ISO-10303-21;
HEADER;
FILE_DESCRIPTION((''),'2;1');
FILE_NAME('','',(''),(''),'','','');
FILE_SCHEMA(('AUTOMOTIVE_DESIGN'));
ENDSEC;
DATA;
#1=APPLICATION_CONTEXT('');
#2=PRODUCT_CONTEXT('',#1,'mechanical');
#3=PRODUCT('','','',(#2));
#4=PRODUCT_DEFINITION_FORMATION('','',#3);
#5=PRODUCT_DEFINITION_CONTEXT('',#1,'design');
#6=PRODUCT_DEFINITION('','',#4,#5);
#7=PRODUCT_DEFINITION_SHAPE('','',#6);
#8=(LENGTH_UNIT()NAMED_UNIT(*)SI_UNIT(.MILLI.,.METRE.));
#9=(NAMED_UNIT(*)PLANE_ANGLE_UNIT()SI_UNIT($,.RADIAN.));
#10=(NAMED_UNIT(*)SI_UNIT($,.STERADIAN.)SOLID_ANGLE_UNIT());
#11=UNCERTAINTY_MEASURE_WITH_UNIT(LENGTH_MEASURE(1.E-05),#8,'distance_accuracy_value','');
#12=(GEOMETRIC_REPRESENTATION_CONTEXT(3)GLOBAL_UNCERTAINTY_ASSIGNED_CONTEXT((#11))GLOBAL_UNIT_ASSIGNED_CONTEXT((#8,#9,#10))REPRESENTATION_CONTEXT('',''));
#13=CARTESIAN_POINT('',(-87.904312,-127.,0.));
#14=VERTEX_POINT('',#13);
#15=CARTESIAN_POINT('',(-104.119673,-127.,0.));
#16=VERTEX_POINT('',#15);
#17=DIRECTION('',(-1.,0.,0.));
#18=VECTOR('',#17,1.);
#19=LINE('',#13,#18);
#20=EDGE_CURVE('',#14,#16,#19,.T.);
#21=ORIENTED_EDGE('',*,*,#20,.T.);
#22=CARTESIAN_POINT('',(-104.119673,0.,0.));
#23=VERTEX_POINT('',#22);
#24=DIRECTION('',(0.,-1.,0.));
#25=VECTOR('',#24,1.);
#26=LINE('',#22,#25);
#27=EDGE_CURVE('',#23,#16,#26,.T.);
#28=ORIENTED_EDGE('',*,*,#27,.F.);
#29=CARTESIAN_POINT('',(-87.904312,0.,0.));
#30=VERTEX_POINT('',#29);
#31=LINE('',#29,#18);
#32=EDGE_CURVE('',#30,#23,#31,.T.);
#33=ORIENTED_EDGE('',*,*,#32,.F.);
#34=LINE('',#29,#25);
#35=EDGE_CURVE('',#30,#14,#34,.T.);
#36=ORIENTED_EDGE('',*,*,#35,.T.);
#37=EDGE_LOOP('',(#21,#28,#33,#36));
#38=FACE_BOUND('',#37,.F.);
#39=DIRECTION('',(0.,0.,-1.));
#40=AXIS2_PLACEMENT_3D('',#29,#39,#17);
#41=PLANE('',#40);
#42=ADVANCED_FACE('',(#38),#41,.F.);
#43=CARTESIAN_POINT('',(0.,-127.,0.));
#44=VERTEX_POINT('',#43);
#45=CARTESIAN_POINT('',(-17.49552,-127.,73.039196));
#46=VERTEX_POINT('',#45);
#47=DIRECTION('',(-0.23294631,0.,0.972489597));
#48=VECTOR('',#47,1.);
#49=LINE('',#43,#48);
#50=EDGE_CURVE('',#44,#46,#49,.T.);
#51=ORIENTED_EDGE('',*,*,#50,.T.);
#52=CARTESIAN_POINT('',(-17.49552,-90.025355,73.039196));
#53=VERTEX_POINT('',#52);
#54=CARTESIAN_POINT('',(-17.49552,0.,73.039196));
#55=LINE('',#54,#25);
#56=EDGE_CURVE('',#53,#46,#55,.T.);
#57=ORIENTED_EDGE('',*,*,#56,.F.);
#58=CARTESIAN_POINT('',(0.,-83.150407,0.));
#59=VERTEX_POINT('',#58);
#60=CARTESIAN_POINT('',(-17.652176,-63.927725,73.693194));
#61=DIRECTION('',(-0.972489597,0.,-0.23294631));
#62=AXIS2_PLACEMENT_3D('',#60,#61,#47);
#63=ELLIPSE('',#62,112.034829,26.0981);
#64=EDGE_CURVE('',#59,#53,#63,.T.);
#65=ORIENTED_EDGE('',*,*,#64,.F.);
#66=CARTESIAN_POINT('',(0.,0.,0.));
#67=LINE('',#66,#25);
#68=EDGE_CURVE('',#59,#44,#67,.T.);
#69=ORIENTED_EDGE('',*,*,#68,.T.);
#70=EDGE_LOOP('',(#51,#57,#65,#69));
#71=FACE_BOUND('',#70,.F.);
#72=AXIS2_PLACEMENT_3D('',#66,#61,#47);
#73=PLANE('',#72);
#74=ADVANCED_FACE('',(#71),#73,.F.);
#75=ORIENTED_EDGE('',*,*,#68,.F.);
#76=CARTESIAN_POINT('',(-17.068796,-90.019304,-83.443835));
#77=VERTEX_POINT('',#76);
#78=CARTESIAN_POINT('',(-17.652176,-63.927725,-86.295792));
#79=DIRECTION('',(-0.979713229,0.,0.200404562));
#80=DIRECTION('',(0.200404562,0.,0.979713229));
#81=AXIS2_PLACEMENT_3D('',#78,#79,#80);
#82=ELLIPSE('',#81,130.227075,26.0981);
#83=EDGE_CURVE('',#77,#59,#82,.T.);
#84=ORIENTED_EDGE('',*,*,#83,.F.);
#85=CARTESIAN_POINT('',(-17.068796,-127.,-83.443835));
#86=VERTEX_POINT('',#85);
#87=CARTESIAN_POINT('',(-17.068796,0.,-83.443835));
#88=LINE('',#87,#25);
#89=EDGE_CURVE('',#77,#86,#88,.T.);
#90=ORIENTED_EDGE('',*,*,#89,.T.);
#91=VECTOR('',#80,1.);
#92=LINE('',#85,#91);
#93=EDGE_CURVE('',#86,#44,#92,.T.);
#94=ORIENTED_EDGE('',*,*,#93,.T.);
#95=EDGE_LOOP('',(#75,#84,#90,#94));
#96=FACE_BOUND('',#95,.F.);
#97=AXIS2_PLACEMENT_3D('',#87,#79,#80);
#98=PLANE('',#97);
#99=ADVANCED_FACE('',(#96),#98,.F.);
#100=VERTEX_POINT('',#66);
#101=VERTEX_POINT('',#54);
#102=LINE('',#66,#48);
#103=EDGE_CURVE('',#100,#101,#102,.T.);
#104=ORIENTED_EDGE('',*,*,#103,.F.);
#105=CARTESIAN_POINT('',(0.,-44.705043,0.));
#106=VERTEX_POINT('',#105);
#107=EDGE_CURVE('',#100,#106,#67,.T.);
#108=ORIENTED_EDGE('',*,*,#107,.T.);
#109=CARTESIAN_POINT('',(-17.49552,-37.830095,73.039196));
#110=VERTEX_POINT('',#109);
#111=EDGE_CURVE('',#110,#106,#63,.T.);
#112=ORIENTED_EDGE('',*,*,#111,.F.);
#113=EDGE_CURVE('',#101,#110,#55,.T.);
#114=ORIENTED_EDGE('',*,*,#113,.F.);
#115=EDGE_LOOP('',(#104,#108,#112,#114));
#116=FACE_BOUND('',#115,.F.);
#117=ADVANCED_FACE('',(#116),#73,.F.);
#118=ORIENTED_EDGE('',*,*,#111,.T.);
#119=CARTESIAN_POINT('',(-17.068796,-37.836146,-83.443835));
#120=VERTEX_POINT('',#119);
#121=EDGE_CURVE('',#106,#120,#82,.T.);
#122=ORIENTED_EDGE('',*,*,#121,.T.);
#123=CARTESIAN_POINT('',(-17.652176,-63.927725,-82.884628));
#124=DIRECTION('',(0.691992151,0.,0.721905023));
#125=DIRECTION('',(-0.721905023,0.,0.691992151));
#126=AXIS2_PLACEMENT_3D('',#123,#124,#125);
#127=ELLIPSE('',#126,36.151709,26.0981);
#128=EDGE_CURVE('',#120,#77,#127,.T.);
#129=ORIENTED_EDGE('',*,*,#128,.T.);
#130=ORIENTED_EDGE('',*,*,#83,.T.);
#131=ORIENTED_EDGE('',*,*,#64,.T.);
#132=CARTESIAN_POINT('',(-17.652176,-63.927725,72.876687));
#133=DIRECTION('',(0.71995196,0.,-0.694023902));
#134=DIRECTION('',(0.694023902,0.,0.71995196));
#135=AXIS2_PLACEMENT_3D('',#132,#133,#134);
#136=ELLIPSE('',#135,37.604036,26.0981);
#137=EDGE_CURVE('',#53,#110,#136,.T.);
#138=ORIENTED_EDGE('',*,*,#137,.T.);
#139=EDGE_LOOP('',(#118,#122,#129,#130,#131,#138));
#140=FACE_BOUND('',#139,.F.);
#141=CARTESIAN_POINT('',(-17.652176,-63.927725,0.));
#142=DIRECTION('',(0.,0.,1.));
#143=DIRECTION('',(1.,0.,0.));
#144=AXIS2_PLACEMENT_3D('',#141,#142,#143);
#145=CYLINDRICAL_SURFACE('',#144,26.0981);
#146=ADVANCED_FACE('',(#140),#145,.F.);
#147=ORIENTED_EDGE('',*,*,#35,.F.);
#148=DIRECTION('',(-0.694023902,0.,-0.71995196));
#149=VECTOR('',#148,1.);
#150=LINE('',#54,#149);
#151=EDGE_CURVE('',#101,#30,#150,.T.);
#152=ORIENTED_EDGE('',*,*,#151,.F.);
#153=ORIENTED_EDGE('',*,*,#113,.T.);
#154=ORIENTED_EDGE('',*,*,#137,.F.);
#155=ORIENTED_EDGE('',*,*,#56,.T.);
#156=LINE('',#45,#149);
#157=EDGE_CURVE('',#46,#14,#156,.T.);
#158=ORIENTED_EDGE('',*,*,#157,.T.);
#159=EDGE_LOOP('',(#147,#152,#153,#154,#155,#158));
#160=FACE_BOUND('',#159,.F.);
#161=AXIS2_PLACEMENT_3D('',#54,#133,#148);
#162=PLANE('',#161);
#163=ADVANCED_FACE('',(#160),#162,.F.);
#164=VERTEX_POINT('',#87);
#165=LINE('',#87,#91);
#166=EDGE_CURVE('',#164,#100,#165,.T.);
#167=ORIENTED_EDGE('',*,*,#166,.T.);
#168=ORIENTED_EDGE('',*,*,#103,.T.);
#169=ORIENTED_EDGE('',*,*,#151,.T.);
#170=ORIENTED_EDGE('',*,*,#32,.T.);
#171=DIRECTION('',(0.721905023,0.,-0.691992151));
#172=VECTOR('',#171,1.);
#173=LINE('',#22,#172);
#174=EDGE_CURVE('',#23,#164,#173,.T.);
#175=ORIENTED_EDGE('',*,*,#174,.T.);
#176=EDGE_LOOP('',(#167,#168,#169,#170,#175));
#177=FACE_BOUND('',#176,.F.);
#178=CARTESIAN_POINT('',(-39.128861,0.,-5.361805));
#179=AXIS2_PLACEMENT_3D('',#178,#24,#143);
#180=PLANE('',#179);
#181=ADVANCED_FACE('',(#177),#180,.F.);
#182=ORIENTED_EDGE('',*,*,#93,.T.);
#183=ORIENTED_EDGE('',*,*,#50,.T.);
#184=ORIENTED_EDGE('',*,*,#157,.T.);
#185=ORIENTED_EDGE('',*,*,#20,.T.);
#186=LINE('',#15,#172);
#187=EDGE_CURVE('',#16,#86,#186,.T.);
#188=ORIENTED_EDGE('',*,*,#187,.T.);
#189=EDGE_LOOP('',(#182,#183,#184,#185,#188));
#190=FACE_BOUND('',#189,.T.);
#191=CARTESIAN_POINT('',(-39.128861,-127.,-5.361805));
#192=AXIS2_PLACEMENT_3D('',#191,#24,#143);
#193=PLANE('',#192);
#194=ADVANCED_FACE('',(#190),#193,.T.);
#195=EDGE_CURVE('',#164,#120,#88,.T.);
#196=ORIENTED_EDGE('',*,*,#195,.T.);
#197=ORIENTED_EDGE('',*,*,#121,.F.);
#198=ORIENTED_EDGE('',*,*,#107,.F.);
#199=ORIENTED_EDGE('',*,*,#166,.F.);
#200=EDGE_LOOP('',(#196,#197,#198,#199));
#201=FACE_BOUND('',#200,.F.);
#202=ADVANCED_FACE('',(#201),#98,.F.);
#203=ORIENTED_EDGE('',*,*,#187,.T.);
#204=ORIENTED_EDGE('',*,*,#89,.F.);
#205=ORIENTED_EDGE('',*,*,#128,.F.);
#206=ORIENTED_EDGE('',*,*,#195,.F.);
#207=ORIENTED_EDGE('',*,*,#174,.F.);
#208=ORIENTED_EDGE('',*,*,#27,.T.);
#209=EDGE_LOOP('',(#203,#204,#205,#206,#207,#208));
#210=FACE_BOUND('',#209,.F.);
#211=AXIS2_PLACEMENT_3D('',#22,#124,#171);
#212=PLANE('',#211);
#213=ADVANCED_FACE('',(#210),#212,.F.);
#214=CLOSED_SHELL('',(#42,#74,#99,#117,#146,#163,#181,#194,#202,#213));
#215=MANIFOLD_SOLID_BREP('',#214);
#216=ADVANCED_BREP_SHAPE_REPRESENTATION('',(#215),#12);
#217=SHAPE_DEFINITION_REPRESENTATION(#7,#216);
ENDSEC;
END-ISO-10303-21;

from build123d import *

# Parameters (mm, degrees)
F1_DEPTH = 127
F2_R     = 26.0981
F3_DEPTH = 7620


with BuildPart() as f1:
    # F0 (on Front) → F1 (new body)
    with BuildSketch(Plane.XZ):
        Polygon((-17.49552, 73.039196), (-87.904312, 0), (-104.119673, 0), (-17.068796, -83.443835), (0, 0), align=None)
    extrude(amount=F1_DEPTH)

    # F2 (on Top) → F3 (cut, symmetric)
    with BuildSketch(Plane.XY):
        with Locations((-17.652176, -63.927725)):
            Circle(F2_R)
    extrude(amount=F3_DEPTH, both=True, mode=Mode.SUBTRACT)


solid = f1.part
